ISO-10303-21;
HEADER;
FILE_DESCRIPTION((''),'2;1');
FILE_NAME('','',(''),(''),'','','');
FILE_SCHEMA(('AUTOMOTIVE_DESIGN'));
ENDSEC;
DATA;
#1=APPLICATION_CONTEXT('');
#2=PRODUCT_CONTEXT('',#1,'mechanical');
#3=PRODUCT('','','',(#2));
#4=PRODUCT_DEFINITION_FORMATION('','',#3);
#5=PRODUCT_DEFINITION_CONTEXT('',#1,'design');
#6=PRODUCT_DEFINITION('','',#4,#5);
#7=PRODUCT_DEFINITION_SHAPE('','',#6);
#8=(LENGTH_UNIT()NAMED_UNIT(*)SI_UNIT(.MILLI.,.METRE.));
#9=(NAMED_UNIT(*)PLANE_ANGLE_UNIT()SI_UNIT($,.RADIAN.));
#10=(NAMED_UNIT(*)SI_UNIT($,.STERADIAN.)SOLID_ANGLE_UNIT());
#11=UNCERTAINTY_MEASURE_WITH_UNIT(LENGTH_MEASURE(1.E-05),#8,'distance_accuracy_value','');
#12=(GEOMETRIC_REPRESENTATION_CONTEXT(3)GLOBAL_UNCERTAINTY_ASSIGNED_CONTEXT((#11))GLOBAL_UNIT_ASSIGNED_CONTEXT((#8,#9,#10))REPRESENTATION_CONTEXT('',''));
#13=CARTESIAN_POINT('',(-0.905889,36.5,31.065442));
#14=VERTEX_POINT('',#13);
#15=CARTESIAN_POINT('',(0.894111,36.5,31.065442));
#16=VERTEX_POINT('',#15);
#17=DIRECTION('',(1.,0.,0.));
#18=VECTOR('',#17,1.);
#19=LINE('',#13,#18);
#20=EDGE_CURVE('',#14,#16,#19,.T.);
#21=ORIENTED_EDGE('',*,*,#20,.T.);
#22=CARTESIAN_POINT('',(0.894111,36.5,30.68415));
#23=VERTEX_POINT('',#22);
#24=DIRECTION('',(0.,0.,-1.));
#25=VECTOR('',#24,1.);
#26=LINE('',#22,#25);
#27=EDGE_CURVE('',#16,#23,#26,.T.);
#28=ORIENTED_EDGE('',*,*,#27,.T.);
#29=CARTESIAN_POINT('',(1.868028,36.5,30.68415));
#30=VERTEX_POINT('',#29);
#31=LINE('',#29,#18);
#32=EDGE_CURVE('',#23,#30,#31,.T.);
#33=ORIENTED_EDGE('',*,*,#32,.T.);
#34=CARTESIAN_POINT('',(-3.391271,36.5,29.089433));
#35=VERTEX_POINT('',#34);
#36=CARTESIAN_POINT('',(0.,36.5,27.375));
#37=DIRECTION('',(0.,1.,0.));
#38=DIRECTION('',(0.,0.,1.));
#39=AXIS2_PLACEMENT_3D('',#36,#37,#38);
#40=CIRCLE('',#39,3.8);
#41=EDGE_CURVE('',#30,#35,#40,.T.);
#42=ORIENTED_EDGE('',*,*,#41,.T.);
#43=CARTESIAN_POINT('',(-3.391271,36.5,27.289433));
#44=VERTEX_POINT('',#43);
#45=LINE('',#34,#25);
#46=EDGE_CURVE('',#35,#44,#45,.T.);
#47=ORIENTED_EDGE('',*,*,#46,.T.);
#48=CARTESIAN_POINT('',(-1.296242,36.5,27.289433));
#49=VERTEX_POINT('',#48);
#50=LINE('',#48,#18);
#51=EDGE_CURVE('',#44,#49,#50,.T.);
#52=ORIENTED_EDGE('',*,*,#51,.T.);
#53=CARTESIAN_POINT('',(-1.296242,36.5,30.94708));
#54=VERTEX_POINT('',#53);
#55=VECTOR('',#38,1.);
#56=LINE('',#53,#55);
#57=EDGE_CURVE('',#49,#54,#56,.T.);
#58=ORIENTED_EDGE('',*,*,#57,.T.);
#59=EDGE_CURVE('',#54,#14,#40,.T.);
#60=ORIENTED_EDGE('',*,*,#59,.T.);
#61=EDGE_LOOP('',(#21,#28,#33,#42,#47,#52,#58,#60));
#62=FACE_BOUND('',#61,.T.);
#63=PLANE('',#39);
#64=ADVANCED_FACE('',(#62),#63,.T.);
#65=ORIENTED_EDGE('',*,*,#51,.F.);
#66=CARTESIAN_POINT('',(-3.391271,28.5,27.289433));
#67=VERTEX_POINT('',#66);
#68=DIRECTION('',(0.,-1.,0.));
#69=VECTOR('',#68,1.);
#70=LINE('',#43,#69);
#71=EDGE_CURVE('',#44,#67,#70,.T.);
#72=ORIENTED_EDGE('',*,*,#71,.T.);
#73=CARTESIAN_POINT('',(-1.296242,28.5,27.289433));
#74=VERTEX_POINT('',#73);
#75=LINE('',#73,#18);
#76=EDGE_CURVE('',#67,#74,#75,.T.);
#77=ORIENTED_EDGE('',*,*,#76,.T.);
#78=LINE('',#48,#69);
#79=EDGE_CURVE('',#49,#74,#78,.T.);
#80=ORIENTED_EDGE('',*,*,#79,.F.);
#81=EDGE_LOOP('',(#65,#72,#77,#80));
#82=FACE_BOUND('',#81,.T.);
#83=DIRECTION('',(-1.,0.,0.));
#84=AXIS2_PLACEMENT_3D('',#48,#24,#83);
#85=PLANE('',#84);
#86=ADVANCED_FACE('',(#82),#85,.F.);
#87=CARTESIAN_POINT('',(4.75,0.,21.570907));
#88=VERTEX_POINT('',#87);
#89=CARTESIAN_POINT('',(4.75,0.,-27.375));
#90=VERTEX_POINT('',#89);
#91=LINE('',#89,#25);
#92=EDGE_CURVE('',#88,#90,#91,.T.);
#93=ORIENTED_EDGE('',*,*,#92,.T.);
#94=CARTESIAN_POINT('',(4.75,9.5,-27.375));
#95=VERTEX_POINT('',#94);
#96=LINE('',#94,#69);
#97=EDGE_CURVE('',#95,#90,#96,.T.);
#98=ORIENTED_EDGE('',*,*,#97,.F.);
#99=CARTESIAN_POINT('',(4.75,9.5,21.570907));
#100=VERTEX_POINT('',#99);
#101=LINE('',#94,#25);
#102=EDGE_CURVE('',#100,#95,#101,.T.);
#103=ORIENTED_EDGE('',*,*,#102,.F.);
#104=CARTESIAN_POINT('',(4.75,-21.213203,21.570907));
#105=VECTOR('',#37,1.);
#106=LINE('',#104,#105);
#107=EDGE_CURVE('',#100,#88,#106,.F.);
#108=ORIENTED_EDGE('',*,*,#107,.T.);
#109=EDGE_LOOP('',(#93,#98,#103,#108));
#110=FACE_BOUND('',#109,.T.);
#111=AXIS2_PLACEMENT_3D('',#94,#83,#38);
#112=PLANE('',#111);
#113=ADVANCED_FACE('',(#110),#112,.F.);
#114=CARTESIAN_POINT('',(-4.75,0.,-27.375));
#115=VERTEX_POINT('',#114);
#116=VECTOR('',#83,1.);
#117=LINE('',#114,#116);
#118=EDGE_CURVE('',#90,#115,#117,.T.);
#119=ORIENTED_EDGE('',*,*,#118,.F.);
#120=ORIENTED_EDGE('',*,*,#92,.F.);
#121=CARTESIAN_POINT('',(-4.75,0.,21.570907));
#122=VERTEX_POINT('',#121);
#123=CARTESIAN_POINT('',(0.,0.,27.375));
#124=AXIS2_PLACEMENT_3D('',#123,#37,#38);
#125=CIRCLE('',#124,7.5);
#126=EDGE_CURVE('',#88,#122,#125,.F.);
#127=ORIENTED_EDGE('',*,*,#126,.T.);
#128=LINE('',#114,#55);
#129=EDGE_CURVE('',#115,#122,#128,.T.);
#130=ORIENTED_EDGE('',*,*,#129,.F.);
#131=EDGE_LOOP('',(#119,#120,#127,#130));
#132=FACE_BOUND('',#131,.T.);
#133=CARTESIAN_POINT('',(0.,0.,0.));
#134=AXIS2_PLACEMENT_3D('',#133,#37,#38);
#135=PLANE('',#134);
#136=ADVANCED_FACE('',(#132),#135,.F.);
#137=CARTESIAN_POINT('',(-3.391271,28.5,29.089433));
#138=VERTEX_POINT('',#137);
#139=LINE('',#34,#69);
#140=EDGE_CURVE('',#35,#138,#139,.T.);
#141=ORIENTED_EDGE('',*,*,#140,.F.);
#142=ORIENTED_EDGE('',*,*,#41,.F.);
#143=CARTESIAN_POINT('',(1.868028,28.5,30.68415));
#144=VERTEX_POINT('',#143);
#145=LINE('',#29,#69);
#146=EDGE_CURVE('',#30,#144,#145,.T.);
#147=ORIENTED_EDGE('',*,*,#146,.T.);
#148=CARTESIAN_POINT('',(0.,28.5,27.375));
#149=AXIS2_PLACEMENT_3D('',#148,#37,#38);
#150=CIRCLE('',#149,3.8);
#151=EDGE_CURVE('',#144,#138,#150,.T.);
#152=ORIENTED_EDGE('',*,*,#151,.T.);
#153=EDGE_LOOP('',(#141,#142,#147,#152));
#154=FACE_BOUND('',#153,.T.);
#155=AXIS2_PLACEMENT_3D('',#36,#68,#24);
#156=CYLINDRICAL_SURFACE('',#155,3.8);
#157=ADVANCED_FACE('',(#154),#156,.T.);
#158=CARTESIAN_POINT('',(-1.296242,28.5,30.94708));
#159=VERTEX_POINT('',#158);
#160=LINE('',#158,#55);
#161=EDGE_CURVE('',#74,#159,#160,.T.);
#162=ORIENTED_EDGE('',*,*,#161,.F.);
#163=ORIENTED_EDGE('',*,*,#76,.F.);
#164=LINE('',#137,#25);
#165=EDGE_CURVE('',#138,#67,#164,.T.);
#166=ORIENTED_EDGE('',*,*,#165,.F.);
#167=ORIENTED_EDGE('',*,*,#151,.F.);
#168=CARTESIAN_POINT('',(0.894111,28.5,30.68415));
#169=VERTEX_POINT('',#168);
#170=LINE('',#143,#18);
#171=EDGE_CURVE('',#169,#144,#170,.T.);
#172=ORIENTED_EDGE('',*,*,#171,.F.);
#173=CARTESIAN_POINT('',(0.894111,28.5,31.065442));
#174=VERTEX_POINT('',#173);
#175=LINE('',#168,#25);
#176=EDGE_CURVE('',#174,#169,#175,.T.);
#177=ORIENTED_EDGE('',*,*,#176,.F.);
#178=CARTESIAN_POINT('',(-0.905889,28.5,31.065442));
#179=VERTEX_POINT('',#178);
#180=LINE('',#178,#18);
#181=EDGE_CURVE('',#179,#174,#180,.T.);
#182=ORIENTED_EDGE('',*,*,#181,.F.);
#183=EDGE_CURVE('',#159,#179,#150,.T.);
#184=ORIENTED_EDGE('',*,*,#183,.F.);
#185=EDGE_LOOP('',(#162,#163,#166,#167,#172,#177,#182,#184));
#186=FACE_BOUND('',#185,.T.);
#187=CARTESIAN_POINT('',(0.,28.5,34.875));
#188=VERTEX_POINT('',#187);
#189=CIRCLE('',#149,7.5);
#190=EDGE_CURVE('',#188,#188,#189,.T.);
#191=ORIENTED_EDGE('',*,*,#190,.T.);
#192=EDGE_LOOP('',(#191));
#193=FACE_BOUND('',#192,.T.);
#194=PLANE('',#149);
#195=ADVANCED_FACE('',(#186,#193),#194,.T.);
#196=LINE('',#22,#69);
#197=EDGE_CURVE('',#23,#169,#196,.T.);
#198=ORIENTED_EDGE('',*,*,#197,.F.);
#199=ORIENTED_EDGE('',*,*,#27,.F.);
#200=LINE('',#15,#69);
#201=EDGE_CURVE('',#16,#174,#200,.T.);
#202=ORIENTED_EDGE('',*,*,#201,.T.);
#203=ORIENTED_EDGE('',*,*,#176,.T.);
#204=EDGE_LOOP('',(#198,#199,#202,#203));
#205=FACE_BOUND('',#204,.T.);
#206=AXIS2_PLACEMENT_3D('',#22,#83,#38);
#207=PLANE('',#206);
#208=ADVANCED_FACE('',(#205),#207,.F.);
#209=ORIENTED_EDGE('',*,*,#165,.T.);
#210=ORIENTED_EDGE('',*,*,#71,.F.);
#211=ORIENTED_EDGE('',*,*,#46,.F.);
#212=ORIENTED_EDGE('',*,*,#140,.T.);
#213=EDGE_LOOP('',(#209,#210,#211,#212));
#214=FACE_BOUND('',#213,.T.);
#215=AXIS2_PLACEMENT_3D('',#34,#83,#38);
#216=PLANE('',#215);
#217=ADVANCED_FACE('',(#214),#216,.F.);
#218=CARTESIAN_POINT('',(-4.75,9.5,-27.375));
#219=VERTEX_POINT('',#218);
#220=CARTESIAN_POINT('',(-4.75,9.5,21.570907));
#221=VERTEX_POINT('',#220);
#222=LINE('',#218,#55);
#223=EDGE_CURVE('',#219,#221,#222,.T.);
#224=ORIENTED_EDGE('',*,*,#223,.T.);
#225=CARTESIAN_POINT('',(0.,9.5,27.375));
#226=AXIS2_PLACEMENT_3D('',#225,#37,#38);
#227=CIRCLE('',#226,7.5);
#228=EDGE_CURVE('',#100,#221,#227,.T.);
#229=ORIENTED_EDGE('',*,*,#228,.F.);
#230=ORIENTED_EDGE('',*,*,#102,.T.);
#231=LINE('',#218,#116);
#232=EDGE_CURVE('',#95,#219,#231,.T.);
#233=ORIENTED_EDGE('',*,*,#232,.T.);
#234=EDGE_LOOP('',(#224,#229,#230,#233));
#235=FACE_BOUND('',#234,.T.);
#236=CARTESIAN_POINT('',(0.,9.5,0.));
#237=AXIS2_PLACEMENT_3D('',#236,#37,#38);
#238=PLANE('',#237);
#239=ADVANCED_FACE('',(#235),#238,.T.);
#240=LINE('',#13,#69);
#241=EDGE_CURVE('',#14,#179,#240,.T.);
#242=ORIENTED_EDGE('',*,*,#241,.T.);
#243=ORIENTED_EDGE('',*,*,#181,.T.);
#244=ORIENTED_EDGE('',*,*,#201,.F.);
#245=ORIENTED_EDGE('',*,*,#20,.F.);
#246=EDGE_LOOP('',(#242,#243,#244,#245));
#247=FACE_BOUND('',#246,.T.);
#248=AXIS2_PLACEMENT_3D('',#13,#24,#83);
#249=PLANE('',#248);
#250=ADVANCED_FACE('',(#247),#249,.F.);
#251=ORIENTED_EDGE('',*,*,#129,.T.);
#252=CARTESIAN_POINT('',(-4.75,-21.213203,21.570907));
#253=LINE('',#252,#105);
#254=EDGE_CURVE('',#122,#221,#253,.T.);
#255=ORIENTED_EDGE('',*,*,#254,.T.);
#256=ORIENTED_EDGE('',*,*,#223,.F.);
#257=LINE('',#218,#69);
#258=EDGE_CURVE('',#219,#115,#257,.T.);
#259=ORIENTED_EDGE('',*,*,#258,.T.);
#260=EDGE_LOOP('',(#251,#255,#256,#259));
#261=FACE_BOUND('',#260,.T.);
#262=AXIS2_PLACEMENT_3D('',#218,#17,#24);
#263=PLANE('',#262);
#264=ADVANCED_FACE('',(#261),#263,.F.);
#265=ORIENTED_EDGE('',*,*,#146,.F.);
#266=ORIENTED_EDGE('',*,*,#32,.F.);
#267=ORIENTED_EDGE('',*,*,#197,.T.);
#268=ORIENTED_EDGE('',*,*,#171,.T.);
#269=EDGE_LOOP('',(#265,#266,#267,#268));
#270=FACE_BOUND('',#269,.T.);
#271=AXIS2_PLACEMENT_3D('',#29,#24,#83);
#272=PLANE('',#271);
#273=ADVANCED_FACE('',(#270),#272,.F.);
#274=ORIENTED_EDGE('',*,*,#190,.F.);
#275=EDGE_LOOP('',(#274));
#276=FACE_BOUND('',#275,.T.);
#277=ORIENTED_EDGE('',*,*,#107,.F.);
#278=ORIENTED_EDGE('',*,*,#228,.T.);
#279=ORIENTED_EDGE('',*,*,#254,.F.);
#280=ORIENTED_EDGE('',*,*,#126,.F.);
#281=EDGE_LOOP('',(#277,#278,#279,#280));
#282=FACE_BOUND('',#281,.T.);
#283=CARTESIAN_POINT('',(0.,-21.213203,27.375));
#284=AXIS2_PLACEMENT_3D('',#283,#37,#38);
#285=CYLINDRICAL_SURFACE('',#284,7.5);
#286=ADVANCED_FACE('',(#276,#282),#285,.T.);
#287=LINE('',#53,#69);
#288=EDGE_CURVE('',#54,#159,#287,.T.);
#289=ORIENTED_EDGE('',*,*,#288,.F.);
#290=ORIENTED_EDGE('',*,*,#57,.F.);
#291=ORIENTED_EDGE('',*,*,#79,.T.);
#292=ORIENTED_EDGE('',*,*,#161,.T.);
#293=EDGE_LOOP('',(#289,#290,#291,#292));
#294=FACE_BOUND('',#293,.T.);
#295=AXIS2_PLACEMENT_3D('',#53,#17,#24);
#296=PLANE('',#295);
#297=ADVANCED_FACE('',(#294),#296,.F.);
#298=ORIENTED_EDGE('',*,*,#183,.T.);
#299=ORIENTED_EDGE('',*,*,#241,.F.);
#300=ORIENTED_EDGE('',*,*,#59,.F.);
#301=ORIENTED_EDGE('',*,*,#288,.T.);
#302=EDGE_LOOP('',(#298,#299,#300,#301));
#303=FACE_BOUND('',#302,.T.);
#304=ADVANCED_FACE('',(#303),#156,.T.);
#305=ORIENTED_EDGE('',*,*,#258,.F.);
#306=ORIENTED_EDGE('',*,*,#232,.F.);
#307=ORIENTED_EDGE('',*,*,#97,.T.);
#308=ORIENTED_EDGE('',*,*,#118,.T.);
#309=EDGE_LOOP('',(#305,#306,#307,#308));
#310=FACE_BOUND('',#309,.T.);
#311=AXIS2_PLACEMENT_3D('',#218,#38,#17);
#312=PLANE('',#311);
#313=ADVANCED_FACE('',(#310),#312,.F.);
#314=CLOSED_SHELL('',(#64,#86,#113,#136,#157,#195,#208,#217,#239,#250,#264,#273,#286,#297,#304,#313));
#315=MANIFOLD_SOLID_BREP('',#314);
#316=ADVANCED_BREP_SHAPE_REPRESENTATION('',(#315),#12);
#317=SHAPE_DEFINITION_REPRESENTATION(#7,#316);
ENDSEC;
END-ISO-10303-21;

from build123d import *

# Parameters (mm, degrees)
SKETCH1_W                = 9.5
SKETCH1_H                = 54.75
BOSS_EXTRUDE1_DEPTH      = 9.5
SKETCH2_R                = 7.5
BOSS_EXTRUDE2_DEPTH      = 19
BOSS_EXTRUDE2_DEPTH_BACK = 9.5
BOSS_EXTRUDE3_DEPTH      = 8


with BuildPart() as part:
    # Sketch1 → Boss-Extrude1 (new body)
    with BuildSketch(Plane(origin=(0, 0, 0), x_dir=(1, 0, 0), z_dir=(0, 1, 0))):
        Rectangle(SKETCH1_W, SKETCH1_H)
    extrude(amount=BOSS_EXTRUDE1_DEPTH)

    # Sketch2 → Boss-Extrude2 (add, two sides)
    with BuildSketch(Plane(origin=(0, 9.5, 0), x_dir=(1, 0, 0), z_dir=(0, 1, 0))) as boss_extrude2_sk:
        with Locations((0, -27.375)):
            Circle(SKETCH2_R)
    extrude(amount=BOSS_EXTRUDE2_DEPTH)
    extrude(boss_extrude2_sk.sketch, amount=-BOSS_EXTRUDE2_DEPTH_BACK)

    # Sketch3 → Boss-Extrude3 (add)
    with BuildSketch(Plane(origin=(0, 28.5, 0), x_dir=(1, 0, 0), z_dir=(0, 1, 0))):
        with BuildLine():
            Line((-1.29624151, -30.947080339), (-1.29624151, -27.289433429))
            Line((-1.29624151, -27.289433429), (-3.391270856, -27.289433429))
            Line((-3.391270856, -27.289433429), (-3.391270856, -29.089433429))
            ThreePointArc((-3.391270856, -29.089433429), (1.102654775, -23.738497223), (1.86802767, -30.684149834))
            Line((1.86802767, -30.684149834), (0.894110574, -30.684149834))
            Line((0.894110574, -30.684149834), (0.894110574, -31.065442297))
            Line((0.894110574, -31.065442297), (-0.905889426, -31.065442297))
            ThreePointArc((-0.905889426, -31.065442297), (-1.102654775, -31.011502777), (-1.29624151, -30.947080339))
        make_face()
    extrude(amount=BOSS_EXTRUDE3_DEPTH)


solid = part.part
